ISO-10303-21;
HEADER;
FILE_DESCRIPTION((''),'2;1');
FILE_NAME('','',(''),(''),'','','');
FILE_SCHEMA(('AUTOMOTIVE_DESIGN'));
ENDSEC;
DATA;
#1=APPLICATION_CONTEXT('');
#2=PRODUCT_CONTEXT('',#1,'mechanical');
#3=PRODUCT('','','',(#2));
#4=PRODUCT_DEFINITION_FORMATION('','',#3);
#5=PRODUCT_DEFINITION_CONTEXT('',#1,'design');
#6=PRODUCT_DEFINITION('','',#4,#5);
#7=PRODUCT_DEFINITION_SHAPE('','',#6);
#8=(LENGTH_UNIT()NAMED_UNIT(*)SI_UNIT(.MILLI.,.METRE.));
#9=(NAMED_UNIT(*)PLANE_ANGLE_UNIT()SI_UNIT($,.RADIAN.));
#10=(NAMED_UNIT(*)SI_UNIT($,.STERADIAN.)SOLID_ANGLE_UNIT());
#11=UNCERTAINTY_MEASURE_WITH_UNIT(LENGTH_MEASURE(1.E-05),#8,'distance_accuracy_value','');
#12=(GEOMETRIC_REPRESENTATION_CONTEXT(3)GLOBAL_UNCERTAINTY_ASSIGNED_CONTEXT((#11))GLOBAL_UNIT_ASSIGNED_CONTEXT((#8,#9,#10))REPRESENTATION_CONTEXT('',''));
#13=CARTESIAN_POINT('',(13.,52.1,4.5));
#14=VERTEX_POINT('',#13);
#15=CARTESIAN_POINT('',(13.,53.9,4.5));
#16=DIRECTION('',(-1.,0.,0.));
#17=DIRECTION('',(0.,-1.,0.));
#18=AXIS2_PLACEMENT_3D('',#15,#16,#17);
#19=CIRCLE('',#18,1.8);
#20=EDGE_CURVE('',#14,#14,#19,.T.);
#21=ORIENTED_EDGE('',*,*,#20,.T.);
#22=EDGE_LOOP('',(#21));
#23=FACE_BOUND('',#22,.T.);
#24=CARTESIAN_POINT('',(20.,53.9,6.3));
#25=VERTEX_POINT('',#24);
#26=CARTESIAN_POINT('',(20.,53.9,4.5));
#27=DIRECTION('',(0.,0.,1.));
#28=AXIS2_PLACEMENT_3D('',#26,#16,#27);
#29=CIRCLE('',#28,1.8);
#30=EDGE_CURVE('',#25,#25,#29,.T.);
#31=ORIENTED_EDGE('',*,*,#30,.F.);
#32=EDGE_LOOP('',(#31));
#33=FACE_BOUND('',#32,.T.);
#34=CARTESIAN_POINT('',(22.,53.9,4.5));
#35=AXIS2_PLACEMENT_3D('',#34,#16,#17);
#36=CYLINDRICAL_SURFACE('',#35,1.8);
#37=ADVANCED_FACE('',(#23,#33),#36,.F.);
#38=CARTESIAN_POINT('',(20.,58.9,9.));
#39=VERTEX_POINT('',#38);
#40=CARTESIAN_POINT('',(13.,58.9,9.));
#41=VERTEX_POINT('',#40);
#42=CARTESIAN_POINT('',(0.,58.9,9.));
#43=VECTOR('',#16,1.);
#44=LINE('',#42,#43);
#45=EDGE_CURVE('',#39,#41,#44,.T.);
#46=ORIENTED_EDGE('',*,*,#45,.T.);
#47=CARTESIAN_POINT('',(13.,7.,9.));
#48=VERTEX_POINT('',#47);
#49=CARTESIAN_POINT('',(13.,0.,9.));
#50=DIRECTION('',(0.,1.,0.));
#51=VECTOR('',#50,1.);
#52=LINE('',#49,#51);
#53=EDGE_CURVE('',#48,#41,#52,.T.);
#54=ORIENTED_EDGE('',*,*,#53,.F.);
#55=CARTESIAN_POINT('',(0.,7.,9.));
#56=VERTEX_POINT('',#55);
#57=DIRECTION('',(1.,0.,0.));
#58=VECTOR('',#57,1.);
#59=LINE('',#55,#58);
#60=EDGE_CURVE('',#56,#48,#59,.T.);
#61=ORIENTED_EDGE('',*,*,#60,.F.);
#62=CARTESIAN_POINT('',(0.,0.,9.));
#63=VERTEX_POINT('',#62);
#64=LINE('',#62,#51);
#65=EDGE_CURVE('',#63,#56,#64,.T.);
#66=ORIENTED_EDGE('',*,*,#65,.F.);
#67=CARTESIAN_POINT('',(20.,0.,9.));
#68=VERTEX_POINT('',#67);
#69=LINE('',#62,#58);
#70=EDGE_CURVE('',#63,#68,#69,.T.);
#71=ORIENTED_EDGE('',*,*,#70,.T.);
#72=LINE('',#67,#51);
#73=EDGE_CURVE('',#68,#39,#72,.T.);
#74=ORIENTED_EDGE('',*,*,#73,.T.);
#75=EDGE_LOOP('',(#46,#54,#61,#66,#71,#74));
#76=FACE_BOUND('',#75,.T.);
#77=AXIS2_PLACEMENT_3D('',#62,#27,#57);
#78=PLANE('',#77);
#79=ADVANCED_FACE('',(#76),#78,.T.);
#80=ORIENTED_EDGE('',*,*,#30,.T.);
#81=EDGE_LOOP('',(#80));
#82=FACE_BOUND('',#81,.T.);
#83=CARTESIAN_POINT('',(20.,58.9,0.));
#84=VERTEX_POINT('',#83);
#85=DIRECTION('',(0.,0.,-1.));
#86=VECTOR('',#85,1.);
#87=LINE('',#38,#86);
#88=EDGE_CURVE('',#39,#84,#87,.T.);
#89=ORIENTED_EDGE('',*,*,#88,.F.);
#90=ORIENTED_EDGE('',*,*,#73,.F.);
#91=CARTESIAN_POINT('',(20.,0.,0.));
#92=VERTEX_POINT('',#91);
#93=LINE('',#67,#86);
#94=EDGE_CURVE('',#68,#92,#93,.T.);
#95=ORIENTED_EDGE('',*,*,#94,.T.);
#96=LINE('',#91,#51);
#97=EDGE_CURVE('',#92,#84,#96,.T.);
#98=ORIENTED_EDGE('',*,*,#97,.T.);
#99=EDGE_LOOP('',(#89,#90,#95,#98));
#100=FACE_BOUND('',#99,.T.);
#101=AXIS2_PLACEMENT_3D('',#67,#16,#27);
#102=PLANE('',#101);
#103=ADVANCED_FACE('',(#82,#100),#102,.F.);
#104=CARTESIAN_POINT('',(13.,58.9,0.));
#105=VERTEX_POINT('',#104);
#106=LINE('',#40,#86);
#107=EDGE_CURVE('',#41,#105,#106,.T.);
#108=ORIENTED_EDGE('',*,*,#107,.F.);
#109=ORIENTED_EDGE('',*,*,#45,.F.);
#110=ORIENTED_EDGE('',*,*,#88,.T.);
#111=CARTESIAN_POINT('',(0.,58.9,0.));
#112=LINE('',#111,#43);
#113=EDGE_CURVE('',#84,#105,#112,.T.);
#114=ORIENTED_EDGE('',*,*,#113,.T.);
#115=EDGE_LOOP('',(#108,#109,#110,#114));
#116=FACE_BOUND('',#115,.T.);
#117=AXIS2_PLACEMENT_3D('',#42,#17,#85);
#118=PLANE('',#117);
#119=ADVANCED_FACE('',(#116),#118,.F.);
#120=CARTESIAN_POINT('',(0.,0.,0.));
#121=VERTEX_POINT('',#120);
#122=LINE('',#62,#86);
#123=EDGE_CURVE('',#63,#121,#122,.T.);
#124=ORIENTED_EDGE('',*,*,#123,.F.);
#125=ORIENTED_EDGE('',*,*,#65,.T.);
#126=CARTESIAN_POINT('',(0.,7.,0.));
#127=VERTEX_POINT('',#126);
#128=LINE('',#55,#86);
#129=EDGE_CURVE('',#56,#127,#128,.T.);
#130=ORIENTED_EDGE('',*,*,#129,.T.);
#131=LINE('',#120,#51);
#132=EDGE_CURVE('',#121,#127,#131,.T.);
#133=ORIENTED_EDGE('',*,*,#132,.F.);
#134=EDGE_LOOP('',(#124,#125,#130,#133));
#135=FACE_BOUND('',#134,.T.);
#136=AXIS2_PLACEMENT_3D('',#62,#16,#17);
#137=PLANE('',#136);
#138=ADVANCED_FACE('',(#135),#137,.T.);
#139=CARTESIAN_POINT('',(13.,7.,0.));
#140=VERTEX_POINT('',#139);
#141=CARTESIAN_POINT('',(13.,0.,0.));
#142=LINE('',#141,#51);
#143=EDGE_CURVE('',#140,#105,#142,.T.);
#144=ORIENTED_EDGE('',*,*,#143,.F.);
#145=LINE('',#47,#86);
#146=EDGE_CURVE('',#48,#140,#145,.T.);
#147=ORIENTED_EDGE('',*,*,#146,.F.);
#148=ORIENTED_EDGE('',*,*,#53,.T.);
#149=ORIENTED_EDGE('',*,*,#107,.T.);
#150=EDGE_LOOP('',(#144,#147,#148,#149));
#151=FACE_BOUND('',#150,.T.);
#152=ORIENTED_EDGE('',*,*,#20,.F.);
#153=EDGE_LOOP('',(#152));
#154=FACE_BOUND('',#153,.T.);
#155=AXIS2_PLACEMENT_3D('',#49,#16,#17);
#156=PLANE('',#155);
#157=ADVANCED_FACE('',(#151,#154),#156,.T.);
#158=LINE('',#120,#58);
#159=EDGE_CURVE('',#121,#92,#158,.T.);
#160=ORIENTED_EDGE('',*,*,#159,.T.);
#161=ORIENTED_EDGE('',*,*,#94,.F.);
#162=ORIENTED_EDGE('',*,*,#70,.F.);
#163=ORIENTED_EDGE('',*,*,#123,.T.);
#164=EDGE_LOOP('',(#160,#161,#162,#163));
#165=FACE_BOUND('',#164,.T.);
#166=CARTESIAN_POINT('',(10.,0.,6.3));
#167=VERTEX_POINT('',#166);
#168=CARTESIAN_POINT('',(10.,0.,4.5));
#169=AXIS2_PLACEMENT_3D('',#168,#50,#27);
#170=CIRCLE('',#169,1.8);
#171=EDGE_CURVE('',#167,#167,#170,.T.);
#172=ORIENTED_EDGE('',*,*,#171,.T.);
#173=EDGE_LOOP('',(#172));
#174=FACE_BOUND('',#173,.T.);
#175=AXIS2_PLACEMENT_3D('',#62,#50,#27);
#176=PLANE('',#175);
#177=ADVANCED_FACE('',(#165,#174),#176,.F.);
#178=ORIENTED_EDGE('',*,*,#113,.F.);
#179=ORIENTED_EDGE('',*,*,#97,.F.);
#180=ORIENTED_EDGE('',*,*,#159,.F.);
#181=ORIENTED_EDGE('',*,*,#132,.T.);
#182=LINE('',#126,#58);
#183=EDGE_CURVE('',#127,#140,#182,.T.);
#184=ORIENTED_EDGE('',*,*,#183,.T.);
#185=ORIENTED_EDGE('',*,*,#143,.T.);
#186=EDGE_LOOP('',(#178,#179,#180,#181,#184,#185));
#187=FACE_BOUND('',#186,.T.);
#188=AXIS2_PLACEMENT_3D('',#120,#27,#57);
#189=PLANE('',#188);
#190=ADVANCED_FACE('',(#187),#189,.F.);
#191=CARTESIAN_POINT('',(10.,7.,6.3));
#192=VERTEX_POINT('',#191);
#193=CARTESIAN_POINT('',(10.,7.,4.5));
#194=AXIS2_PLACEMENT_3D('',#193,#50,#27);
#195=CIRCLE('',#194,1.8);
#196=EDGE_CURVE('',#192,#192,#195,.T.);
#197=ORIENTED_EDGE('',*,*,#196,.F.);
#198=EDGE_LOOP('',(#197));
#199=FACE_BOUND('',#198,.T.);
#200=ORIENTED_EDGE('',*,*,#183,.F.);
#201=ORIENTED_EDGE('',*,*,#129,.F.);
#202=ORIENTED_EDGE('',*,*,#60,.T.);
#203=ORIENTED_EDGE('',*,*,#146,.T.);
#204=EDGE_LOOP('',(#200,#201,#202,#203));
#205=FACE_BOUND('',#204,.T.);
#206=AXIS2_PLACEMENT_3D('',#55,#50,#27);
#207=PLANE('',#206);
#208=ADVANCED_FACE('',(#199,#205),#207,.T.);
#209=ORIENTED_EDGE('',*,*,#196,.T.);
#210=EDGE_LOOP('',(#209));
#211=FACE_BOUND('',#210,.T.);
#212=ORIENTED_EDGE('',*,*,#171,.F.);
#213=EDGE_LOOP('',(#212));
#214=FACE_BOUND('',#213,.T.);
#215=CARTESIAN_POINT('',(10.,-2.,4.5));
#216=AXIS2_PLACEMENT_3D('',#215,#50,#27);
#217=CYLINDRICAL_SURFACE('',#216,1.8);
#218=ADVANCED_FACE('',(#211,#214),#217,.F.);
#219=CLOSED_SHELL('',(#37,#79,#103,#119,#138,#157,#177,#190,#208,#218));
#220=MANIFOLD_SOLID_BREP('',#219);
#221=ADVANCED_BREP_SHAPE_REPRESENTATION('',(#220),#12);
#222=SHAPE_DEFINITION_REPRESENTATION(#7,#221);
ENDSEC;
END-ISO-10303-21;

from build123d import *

# Parameters (mm, degrees)
ESQUISSE1_W             = 20
ESQUISSE1_H             = 7
ESQUISSE1_W_2           = 7
ESQUISSE1_H_2           = 51.9
BOSS_EXTRU_1_DEPTH      = 9
ESQUISSE2_R             = 1.8
ENL_V_MAT_EXTRU_1_DEPTH = 9
ESQUISSE3_R             = 1.8
ENL_V_MAT_EXTRU_2_DEPTH = 9


with BuildPart() as part:
    # Esquisse1 → Boss.-Extru.1 (new body)
    with BuildSketch(Plane.XY):
        with Locations((10, 3.5)):
            Rectangle(ESQUISSE1_W, ESQUISSE1_H)
        with Locations((16.5, 32.95)):
            Rectangle(ESQUISSE1_W_2, ESQUISSE1_H_2)
    extrude(amount=BOSS_EXTRU_1_DEPTH)

    # Esquisse2 → Enlèv. mat.-Extru.1 (cut)
    with BuildSketch(Plane(origin=(0, 7, 0), x_dir=(1, 0, 0), z_dir=(0, 1, 0))):
        with Locations(Location((10, -4.5, 0), (0, 0, 270))):
            Circle(ESQUISSE2_R)
    extrude(amount=-ENL_V_MAT_EXTRU_1_DEPTH, mode=Mode.SUBTRACT)

    # Esquisse3 → Enlèv. mat.-Extru.2 (cut)
    with BuildSketch(Plane.ZY.offset(-13)):
        with Locations(Location((4.5, 53.9, 0), (0, 0, 270))):
            Circle(ESQUISSE3_R)
    extrude(amount=-ENL_V_MAT_EXTRU_2_DEPTH, mode=Mode.SUBTRACT)


solid = part.part
